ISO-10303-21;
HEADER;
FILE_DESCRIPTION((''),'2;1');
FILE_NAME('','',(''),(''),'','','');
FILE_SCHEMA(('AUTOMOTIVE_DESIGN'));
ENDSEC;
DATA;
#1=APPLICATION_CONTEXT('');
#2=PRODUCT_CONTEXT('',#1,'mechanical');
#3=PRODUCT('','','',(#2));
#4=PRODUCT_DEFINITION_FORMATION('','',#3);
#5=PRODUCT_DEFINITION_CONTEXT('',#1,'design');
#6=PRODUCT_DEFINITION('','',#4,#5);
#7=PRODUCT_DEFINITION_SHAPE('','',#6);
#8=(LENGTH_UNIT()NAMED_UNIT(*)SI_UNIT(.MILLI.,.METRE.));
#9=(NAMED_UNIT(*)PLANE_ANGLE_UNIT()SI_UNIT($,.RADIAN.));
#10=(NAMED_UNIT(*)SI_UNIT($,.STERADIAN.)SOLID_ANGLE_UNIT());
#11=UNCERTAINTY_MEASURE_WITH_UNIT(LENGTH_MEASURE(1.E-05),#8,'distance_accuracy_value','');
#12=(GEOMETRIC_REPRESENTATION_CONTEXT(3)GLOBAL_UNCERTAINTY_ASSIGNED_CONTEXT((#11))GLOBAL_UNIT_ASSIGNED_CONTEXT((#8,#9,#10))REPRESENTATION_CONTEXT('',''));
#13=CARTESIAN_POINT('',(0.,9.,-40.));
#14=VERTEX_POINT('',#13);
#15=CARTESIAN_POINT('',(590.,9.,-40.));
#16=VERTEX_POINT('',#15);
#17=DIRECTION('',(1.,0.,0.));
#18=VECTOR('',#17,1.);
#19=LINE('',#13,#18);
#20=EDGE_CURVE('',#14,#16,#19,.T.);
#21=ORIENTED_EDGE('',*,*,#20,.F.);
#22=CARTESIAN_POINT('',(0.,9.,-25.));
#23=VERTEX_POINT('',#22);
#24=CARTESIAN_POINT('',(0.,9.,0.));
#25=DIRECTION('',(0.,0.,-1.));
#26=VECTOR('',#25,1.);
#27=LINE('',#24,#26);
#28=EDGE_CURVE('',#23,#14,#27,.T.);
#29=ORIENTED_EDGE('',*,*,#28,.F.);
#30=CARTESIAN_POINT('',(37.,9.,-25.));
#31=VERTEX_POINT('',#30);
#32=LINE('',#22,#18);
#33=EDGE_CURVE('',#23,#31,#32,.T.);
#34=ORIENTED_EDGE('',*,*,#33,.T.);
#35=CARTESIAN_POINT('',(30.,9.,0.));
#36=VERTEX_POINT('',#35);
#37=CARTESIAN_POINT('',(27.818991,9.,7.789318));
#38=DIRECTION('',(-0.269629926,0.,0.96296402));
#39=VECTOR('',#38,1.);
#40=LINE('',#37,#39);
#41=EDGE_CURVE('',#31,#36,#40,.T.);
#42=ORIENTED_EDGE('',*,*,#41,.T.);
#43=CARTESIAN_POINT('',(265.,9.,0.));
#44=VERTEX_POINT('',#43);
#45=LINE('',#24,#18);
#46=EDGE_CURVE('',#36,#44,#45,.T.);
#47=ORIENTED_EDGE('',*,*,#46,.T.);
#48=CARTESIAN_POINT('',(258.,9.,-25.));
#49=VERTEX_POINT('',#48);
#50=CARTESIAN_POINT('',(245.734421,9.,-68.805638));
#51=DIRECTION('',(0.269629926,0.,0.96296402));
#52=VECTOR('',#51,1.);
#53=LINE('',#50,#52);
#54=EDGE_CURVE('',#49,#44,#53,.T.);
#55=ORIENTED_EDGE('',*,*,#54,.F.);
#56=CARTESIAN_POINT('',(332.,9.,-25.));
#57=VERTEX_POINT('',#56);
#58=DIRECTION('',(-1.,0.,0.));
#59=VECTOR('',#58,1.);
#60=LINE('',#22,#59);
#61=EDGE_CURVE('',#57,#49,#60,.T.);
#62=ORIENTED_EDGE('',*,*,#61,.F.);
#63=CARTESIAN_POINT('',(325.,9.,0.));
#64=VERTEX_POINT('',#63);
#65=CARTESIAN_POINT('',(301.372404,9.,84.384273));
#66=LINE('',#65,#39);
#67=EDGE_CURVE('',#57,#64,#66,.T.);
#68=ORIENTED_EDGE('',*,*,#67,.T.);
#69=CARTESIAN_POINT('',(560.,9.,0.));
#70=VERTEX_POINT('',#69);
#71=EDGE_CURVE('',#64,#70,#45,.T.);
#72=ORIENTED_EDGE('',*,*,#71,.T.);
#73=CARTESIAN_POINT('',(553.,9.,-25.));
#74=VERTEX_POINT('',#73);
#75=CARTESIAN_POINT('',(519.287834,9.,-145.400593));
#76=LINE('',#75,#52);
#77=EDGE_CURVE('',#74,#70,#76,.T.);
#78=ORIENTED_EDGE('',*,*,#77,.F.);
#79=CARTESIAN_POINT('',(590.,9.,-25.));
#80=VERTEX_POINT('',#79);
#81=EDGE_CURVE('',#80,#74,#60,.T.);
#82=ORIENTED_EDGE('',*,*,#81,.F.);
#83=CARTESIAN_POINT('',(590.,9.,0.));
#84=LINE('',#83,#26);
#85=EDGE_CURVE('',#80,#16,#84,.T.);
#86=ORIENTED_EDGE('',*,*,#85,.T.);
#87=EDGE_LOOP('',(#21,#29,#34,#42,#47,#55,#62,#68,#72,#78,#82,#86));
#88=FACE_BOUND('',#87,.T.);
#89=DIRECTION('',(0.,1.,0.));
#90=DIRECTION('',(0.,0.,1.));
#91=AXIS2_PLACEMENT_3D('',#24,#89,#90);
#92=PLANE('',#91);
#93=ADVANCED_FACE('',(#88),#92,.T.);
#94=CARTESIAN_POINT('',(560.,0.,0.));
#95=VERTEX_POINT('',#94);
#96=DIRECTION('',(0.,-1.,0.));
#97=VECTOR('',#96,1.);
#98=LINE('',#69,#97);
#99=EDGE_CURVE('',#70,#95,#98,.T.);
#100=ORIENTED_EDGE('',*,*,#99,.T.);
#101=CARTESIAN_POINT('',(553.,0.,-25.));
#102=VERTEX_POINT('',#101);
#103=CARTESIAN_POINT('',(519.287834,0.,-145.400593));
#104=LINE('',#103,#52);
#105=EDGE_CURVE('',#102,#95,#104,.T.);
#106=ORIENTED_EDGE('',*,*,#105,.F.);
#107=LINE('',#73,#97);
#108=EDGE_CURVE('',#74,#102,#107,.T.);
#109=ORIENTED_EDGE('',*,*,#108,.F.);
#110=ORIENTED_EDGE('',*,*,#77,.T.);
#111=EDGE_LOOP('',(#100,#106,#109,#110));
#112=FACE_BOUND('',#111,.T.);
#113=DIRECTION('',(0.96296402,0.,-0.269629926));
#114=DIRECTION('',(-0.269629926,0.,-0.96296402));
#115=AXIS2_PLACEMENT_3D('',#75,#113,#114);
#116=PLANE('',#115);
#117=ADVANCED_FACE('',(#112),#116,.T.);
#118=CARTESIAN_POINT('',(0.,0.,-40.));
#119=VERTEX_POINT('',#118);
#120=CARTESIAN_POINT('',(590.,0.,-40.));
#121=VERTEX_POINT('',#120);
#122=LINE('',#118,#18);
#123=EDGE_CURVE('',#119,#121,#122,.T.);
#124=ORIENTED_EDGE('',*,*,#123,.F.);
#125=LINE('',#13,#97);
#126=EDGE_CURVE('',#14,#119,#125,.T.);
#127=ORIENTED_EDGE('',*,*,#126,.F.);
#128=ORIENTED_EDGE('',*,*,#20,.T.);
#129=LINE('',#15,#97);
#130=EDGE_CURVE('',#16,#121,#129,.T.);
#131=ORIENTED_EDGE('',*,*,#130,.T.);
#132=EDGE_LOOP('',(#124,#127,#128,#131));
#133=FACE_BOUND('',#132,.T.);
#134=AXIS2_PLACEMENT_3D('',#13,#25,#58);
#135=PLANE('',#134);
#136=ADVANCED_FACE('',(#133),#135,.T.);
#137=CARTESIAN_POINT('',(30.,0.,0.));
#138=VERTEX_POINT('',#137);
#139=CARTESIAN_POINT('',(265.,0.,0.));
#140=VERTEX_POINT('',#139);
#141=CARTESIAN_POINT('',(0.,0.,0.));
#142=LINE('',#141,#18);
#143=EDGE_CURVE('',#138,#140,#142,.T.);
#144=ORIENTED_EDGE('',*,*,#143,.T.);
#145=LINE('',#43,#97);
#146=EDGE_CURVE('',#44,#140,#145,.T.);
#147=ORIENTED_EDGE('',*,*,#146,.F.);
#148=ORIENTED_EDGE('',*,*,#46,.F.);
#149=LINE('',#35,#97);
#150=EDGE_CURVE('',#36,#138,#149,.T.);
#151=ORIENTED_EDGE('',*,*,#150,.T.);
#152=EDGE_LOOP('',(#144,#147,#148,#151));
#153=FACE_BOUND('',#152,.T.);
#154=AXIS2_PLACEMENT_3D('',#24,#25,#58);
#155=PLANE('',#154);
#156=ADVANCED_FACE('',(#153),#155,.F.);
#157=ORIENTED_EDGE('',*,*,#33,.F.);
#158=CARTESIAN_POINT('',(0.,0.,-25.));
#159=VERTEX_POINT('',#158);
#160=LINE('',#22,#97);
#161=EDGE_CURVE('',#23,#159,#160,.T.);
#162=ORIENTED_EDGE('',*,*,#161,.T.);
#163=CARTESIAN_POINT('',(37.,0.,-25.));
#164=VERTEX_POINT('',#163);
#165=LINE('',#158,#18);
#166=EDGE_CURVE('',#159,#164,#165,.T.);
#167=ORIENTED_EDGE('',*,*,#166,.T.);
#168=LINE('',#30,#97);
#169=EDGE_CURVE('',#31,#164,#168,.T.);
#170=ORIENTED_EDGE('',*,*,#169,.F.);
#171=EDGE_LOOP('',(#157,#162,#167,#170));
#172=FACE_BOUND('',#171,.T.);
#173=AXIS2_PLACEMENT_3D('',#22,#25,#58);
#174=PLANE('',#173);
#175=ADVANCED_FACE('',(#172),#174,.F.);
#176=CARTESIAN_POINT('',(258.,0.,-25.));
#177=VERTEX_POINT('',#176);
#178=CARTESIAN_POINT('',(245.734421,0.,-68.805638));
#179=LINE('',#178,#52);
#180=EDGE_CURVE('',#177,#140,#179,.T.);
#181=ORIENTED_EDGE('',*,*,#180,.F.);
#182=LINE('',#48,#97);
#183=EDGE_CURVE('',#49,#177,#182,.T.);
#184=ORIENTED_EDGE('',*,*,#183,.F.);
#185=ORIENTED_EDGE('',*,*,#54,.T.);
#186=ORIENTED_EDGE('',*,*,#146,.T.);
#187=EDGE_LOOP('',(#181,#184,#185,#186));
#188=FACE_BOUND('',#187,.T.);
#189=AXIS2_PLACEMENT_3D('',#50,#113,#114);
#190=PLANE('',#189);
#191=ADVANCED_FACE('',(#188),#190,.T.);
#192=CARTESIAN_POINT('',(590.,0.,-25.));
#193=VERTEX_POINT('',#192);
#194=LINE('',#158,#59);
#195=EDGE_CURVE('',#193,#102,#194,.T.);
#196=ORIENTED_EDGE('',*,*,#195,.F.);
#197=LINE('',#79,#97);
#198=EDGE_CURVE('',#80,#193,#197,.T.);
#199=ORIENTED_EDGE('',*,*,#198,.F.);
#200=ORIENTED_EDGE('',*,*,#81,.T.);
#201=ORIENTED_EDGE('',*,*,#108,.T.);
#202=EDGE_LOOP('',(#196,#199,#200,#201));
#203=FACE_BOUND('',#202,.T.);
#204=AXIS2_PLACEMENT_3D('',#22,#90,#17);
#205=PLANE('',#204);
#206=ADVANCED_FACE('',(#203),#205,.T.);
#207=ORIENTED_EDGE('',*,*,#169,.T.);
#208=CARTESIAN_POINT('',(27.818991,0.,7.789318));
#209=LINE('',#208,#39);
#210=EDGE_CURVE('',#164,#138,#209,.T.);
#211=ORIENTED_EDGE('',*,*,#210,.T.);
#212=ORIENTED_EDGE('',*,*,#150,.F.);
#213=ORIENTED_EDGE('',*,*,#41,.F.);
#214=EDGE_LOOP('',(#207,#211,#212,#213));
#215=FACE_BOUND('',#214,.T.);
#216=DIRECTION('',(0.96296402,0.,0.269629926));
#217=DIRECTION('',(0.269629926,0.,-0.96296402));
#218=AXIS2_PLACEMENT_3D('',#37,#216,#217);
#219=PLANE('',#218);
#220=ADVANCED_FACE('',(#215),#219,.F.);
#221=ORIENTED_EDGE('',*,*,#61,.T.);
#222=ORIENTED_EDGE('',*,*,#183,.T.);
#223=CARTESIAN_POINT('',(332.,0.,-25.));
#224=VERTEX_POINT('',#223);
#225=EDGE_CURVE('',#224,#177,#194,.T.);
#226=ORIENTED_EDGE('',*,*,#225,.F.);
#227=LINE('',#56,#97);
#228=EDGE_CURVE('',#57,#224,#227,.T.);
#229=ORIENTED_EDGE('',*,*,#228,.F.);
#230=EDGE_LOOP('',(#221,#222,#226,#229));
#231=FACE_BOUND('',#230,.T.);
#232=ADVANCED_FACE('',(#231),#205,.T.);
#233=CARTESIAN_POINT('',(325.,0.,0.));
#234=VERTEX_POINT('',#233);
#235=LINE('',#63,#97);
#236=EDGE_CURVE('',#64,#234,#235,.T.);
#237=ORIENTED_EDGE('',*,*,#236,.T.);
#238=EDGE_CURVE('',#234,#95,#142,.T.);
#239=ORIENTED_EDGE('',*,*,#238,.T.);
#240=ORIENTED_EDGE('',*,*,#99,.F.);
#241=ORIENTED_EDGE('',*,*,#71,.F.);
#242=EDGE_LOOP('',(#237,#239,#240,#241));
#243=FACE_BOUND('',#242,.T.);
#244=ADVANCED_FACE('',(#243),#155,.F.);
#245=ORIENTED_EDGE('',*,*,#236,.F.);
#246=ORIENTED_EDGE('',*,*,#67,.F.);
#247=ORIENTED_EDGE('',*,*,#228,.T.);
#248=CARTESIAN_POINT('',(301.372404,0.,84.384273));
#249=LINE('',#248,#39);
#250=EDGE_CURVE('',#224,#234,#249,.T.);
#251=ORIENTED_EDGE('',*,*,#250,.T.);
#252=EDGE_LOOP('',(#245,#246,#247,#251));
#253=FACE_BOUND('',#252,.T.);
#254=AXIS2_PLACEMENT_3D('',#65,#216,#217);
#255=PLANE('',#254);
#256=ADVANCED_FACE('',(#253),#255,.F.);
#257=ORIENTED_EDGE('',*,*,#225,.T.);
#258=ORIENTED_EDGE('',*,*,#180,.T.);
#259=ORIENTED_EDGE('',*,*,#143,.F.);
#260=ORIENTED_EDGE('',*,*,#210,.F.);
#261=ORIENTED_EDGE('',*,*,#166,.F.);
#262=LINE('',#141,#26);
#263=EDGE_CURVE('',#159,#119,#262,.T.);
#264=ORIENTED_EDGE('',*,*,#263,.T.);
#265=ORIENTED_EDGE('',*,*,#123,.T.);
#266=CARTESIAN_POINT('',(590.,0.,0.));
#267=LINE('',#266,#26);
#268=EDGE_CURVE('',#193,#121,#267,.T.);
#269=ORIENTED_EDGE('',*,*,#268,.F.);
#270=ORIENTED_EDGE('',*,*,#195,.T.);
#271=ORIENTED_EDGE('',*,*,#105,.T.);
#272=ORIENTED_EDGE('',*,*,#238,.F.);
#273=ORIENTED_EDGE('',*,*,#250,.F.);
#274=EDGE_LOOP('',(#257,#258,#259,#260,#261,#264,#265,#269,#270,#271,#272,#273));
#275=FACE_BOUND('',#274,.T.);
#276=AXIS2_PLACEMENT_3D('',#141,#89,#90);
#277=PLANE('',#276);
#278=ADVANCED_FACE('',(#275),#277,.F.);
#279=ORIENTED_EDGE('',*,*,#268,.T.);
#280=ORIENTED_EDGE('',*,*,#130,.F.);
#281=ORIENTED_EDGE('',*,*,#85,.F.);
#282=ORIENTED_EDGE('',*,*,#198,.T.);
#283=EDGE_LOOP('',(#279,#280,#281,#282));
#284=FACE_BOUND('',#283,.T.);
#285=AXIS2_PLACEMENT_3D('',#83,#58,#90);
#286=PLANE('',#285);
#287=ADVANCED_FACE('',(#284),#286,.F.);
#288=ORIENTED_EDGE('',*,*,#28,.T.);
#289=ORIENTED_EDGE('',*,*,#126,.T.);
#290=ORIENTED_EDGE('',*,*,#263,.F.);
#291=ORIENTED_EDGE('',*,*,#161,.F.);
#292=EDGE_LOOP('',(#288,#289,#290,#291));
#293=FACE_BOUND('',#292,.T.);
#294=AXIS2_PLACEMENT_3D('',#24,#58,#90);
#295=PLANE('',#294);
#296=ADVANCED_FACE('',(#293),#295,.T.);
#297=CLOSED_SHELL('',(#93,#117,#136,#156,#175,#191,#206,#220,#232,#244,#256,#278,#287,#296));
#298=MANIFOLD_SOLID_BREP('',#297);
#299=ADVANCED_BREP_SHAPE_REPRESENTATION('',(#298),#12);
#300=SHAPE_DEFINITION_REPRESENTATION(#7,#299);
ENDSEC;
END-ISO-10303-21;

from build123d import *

# Parameters (mm, degrees)
BOSS_EXTRUDE1_DEPTH = 9


with BuildPart() as part:
    # Sketch1 → Boss-Extrude1 (new body)
    with BuildSketch(Plane(origin=(0, 0, 0), x_dir=(1, 0, 0), z_dir=(0, 1, 0))):
        Polygon((0, 25), (37, 25), (30, 0), (265, 0), (258, 25), (332, 25), (325, 0), (560, 0), (553, 25), (590, 25), (590, 40), (0, 40), align=None)
    extrude(amount=BOSS_EXTRUDE1_DEPTH)


solid = part.part
